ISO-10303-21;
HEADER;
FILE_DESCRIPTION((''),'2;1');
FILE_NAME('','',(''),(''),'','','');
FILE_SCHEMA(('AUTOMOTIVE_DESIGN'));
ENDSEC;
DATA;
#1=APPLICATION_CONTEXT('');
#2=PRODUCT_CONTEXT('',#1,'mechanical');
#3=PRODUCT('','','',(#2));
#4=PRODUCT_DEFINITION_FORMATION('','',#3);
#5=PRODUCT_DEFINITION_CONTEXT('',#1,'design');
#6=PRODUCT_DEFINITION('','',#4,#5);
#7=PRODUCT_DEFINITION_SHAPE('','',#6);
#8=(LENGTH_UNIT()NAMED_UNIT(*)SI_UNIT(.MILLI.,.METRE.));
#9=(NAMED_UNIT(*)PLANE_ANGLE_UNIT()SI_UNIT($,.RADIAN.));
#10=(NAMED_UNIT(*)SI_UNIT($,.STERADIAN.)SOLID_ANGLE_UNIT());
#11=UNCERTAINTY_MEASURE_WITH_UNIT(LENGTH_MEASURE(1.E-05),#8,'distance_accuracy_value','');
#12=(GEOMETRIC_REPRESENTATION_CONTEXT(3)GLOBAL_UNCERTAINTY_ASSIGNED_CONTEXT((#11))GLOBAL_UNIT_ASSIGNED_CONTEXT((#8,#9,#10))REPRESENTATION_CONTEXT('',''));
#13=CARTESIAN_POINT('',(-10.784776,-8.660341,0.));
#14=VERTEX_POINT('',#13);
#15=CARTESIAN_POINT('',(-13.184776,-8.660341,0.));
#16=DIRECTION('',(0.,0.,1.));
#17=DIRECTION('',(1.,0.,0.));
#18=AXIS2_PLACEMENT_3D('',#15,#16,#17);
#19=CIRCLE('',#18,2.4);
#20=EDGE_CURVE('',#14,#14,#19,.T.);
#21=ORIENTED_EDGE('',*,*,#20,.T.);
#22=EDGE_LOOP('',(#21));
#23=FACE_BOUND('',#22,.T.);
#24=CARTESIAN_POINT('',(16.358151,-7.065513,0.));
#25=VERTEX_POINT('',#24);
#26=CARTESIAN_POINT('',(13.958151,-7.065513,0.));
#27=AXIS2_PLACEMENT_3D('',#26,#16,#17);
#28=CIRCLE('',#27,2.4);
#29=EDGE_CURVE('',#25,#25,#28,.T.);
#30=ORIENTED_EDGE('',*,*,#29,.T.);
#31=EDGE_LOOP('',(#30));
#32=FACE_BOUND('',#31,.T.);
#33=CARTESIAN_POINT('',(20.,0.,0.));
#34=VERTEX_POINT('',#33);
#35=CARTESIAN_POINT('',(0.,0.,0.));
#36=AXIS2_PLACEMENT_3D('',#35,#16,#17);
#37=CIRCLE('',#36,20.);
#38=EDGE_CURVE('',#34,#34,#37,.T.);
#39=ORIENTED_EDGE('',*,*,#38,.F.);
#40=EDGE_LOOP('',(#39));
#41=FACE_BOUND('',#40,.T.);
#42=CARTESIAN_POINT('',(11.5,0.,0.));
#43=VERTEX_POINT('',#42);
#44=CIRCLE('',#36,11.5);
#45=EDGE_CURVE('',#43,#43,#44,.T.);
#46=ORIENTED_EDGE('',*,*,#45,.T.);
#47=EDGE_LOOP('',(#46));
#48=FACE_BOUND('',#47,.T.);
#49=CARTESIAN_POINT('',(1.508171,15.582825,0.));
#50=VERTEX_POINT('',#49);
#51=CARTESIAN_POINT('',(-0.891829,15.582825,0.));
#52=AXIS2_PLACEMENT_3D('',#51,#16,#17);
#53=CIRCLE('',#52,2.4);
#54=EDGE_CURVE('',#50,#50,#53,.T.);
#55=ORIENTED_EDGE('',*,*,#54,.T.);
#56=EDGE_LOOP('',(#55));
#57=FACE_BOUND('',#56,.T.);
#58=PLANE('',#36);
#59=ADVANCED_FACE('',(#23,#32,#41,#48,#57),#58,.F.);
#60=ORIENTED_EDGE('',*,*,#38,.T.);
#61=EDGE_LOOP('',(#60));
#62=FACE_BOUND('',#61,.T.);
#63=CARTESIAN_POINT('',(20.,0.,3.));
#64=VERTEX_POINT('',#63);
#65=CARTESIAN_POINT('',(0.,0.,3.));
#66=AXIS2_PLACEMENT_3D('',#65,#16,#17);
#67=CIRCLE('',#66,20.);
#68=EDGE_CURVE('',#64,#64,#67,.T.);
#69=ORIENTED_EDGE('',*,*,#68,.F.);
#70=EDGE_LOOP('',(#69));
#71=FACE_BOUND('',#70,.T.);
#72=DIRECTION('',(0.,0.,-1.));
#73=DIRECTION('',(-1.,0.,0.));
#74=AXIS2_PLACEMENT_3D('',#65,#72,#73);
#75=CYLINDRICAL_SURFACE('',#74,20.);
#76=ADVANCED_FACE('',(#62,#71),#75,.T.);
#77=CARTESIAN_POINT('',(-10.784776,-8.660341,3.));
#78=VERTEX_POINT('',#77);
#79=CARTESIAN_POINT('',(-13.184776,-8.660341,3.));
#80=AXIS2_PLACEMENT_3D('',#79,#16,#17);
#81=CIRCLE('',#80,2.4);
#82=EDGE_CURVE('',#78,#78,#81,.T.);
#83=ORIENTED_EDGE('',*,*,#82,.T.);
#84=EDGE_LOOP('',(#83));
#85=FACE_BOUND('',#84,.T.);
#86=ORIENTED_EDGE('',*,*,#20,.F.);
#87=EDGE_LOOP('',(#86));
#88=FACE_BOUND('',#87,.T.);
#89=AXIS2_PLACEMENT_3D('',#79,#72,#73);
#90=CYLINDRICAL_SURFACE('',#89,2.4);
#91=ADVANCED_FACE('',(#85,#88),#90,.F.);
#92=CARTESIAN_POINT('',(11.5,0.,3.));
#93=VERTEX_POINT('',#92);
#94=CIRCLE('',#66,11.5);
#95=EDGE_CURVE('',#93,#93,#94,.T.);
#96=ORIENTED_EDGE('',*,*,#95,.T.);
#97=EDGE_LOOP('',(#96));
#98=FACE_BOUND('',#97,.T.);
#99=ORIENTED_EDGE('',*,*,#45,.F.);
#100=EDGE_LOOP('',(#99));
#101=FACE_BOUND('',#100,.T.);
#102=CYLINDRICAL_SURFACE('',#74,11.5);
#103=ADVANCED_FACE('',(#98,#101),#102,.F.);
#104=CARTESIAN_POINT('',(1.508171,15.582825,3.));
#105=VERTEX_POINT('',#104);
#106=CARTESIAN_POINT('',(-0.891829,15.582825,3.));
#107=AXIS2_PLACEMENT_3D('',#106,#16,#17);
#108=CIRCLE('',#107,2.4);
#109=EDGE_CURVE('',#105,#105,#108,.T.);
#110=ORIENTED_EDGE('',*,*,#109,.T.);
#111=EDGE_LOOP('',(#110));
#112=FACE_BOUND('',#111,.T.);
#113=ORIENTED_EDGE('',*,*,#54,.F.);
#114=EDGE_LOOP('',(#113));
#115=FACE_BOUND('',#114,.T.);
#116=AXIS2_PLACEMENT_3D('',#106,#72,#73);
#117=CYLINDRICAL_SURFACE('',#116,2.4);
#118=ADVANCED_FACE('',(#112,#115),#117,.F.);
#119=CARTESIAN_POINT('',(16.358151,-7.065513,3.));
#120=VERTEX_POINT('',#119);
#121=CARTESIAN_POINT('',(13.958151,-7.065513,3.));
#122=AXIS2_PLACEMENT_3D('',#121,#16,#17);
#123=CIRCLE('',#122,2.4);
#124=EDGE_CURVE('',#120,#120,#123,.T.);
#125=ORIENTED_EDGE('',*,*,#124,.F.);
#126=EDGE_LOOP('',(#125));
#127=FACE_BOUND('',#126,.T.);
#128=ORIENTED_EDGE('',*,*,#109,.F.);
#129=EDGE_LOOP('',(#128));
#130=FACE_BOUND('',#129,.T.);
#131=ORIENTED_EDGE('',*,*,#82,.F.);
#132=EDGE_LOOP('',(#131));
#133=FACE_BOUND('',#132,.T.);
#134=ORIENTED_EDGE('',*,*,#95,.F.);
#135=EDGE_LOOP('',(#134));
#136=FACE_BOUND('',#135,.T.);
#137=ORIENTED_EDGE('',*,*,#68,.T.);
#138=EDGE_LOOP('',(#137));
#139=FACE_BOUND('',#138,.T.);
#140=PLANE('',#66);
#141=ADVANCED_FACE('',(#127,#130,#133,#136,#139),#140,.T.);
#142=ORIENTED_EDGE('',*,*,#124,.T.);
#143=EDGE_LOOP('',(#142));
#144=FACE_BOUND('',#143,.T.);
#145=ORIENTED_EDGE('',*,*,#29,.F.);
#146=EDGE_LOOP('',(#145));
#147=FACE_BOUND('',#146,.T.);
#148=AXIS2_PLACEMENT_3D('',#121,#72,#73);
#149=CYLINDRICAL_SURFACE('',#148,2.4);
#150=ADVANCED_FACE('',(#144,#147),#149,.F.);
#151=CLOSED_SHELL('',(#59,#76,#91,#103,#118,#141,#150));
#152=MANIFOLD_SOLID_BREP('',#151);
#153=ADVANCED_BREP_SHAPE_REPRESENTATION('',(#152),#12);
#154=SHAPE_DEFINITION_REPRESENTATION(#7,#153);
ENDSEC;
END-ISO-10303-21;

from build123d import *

# Parameters (mm, degrees)
SKETCH2_R           = 20
SKETCH2_R_2         = 2.4
SKETCH2_R_3         = 11.5
BOSS_EXTRUDE1_DEPTH = 3


with BuildPart() as part:
    # Sketch2 → Boss-Extrude1 (new body)
    with BuildSketch(Plane.XY):
        Circle(SKETCH2_R)
        with Locations((-13.184775653, -8.660341037)):
            Circle(SKETCH2_R_2, mode=Mode.SUBTRACT)
        with Locations((13.958150794, -7.065513271)):
            Circle(SKETCH2_R_2, mode=Mode.SUBTRACT)
        Circle(SKETCH2_R_3, mode=Mode.SUBTRACT)
        with Locations((-0.89182915, 15.582825039)):
            Circle(SKETCH2_R_2, mode=Mode.SUBTRACT)
    extrude(amount=BOSS_EXTRUDE1_DEPTH)


solid = part.part
